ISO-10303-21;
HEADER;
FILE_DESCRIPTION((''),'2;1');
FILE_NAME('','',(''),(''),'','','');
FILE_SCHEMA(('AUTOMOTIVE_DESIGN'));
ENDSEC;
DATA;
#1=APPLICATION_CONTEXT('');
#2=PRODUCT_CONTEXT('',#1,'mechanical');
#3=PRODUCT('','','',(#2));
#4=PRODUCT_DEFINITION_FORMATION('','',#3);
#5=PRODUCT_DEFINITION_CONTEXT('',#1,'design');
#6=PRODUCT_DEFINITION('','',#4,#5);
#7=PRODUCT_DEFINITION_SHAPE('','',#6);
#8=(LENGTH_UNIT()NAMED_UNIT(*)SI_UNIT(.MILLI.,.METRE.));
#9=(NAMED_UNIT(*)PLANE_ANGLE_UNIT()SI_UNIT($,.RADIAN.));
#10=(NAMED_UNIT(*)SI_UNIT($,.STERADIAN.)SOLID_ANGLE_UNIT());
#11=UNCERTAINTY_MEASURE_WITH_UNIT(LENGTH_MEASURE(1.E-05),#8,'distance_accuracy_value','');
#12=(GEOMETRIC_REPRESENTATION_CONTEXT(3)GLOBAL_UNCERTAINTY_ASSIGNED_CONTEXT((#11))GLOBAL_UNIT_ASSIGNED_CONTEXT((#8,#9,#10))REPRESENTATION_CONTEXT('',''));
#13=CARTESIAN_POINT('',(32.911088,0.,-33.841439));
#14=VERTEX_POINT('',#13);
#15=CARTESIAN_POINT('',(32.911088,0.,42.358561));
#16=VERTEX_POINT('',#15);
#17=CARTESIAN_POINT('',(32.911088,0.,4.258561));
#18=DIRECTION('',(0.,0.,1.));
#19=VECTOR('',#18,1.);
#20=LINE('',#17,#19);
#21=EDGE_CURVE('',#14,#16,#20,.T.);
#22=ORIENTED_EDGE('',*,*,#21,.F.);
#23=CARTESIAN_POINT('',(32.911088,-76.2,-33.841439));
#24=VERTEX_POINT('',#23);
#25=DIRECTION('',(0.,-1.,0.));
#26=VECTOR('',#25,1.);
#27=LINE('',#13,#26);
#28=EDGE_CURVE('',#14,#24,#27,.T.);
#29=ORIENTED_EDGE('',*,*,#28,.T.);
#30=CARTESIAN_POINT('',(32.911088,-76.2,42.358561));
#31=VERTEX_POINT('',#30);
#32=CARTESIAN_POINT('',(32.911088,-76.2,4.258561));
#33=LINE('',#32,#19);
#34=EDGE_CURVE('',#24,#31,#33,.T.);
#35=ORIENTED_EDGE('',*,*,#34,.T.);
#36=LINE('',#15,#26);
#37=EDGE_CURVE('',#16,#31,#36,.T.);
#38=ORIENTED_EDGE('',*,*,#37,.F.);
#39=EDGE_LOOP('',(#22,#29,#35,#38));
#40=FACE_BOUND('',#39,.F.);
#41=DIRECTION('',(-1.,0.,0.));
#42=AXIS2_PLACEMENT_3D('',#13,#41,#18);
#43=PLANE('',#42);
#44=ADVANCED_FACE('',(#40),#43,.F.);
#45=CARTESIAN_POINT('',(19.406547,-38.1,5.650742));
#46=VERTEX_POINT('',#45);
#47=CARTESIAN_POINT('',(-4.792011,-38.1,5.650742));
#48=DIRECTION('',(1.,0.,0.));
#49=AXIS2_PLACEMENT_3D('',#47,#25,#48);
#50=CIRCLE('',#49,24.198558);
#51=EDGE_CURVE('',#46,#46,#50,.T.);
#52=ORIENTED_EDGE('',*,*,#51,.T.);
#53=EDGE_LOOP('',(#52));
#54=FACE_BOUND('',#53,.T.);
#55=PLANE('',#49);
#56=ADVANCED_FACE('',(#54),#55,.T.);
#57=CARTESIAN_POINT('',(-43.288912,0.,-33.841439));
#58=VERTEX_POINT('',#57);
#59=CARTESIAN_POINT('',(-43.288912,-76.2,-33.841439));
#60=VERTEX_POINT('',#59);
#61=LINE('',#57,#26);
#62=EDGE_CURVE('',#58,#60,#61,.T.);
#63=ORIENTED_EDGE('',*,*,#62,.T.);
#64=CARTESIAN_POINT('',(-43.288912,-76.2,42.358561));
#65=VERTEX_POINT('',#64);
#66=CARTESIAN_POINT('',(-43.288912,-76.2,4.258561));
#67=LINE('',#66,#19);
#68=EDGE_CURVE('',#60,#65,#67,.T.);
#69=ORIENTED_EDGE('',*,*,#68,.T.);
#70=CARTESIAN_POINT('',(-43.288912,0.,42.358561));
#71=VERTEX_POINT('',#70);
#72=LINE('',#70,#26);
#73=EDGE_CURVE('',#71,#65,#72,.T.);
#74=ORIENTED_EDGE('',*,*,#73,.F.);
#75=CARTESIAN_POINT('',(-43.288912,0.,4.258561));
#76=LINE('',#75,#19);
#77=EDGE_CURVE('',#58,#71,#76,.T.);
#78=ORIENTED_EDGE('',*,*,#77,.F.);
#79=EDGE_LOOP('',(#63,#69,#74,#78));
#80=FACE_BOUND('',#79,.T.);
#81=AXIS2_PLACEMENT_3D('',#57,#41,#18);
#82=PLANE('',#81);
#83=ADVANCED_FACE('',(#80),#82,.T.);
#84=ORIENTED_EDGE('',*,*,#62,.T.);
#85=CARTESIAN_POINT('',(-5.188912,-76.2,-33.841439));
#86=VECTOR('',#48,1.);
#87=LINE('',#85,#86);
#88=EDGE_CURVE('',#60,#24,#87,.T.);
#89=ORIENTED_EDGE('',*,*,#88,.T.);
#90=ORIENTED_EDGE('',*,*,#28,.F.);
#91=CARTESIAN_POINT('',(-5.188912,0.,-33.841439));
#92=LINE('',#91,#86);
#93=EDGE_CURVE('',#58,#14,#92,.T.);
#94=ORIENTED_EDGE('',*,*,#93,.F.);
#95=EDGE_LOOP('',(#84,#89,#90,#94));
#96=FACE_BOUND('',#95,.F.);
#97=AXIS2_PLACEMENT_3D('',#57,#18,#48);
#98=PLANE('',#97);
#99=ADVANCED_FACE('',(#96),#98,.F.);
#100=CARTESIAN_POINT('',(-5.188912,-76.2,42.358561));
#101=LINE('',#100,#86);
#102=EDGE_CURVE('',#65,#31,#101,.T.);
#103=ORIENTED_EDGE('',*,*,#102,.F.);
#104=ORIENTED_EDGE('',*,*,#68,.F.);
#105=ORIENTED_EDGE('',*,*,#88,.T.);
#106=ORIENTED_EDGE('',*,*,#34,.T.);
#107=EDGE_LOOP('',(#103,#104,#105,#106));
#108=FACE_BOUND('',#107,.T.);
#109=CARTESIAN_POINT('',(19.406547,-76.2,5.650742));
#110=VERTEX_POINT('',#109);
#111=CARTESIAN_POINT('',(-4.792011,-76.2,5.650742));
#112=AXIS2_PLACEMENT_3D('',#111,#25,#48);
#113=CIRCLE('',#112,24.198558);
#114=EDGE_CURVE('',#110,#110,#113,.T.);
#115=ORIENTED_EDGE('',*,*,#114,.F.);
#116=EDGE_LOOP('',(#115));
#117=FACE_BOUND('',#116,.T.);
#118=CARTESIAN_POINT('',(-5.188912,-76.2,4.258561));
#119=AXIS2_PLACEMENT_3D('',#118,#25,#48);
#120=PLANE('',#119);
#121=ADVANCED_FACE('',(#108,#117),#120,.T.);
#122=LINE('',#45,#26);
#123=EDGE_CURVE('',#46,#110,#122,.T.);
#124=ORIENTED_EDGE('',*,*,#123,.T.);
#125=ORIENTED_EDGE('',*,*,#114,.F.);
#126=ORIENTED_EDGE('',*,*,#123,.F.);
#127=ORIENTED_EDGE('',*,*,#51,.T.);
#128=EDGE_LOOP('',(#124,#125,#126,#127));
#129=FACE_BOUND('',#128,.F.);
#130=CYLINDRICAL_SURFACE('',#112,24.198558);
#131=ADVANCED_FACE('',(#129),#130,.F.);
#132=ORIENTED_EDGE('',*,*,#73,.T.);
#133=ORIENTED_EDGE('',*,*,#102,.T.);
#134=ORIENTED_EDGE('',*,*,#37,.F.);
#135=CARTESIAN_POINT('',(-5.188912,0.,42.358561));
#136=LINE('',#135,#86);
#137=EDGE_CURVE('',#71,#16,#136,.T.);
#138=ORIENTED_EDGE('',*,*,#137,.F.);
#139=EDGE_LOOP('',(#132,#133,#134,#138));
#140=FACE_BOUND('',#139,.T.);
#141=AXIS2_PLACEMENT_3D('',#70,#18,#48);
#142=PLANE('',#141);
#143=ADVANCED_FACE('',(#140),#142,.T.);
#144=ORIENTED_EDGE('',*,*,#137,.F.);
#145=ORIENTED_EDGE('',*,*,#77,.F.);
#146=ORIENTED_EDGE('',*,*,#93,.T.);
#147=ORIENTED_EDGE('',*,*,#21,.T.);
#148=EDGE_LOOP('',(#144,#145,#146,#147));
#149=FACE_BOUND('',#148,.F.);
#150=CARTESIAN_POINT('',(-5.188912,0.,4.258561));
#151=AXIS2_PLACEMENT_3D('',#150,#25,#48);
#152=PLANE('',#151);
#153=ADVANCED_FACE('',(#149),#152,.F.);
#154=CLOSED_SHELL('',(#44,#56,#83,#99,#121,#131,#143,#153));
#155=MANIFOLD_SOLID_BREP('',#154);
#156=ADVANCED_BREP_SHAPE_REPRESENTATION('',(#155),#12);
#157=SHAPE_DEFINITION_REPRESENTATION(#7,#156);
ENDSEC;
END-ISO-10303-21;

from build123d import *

# Parameters (mm, degrees)
F0_W     = 76.2
F0_H     = 76.2
F1_DEPTH = 76.2
F2_R     = 24.198558
F3_DEPTH = 38.1


with BuildPart() as f1:
    # F0 (on Front) → F1 (new body)
    with BuildSketch(Plane.XZ):
        with Locations((-5.188912, 4.258561)):
            Rectangle(F0_W, F0_H)
    extrude(amount=F1_DEPTH)

    # F2 (on face) → F3 (cut, symmetric)
    with BuildSketch(Plane.XZ.offset(76.2)):
        with Locations((-4.792011, 5.650742)):
            Circle(F2_R)
    extrude(amount=F3_DEPTH, both=True, mode=Mode.SUBTRACT)


solid = f1.part
